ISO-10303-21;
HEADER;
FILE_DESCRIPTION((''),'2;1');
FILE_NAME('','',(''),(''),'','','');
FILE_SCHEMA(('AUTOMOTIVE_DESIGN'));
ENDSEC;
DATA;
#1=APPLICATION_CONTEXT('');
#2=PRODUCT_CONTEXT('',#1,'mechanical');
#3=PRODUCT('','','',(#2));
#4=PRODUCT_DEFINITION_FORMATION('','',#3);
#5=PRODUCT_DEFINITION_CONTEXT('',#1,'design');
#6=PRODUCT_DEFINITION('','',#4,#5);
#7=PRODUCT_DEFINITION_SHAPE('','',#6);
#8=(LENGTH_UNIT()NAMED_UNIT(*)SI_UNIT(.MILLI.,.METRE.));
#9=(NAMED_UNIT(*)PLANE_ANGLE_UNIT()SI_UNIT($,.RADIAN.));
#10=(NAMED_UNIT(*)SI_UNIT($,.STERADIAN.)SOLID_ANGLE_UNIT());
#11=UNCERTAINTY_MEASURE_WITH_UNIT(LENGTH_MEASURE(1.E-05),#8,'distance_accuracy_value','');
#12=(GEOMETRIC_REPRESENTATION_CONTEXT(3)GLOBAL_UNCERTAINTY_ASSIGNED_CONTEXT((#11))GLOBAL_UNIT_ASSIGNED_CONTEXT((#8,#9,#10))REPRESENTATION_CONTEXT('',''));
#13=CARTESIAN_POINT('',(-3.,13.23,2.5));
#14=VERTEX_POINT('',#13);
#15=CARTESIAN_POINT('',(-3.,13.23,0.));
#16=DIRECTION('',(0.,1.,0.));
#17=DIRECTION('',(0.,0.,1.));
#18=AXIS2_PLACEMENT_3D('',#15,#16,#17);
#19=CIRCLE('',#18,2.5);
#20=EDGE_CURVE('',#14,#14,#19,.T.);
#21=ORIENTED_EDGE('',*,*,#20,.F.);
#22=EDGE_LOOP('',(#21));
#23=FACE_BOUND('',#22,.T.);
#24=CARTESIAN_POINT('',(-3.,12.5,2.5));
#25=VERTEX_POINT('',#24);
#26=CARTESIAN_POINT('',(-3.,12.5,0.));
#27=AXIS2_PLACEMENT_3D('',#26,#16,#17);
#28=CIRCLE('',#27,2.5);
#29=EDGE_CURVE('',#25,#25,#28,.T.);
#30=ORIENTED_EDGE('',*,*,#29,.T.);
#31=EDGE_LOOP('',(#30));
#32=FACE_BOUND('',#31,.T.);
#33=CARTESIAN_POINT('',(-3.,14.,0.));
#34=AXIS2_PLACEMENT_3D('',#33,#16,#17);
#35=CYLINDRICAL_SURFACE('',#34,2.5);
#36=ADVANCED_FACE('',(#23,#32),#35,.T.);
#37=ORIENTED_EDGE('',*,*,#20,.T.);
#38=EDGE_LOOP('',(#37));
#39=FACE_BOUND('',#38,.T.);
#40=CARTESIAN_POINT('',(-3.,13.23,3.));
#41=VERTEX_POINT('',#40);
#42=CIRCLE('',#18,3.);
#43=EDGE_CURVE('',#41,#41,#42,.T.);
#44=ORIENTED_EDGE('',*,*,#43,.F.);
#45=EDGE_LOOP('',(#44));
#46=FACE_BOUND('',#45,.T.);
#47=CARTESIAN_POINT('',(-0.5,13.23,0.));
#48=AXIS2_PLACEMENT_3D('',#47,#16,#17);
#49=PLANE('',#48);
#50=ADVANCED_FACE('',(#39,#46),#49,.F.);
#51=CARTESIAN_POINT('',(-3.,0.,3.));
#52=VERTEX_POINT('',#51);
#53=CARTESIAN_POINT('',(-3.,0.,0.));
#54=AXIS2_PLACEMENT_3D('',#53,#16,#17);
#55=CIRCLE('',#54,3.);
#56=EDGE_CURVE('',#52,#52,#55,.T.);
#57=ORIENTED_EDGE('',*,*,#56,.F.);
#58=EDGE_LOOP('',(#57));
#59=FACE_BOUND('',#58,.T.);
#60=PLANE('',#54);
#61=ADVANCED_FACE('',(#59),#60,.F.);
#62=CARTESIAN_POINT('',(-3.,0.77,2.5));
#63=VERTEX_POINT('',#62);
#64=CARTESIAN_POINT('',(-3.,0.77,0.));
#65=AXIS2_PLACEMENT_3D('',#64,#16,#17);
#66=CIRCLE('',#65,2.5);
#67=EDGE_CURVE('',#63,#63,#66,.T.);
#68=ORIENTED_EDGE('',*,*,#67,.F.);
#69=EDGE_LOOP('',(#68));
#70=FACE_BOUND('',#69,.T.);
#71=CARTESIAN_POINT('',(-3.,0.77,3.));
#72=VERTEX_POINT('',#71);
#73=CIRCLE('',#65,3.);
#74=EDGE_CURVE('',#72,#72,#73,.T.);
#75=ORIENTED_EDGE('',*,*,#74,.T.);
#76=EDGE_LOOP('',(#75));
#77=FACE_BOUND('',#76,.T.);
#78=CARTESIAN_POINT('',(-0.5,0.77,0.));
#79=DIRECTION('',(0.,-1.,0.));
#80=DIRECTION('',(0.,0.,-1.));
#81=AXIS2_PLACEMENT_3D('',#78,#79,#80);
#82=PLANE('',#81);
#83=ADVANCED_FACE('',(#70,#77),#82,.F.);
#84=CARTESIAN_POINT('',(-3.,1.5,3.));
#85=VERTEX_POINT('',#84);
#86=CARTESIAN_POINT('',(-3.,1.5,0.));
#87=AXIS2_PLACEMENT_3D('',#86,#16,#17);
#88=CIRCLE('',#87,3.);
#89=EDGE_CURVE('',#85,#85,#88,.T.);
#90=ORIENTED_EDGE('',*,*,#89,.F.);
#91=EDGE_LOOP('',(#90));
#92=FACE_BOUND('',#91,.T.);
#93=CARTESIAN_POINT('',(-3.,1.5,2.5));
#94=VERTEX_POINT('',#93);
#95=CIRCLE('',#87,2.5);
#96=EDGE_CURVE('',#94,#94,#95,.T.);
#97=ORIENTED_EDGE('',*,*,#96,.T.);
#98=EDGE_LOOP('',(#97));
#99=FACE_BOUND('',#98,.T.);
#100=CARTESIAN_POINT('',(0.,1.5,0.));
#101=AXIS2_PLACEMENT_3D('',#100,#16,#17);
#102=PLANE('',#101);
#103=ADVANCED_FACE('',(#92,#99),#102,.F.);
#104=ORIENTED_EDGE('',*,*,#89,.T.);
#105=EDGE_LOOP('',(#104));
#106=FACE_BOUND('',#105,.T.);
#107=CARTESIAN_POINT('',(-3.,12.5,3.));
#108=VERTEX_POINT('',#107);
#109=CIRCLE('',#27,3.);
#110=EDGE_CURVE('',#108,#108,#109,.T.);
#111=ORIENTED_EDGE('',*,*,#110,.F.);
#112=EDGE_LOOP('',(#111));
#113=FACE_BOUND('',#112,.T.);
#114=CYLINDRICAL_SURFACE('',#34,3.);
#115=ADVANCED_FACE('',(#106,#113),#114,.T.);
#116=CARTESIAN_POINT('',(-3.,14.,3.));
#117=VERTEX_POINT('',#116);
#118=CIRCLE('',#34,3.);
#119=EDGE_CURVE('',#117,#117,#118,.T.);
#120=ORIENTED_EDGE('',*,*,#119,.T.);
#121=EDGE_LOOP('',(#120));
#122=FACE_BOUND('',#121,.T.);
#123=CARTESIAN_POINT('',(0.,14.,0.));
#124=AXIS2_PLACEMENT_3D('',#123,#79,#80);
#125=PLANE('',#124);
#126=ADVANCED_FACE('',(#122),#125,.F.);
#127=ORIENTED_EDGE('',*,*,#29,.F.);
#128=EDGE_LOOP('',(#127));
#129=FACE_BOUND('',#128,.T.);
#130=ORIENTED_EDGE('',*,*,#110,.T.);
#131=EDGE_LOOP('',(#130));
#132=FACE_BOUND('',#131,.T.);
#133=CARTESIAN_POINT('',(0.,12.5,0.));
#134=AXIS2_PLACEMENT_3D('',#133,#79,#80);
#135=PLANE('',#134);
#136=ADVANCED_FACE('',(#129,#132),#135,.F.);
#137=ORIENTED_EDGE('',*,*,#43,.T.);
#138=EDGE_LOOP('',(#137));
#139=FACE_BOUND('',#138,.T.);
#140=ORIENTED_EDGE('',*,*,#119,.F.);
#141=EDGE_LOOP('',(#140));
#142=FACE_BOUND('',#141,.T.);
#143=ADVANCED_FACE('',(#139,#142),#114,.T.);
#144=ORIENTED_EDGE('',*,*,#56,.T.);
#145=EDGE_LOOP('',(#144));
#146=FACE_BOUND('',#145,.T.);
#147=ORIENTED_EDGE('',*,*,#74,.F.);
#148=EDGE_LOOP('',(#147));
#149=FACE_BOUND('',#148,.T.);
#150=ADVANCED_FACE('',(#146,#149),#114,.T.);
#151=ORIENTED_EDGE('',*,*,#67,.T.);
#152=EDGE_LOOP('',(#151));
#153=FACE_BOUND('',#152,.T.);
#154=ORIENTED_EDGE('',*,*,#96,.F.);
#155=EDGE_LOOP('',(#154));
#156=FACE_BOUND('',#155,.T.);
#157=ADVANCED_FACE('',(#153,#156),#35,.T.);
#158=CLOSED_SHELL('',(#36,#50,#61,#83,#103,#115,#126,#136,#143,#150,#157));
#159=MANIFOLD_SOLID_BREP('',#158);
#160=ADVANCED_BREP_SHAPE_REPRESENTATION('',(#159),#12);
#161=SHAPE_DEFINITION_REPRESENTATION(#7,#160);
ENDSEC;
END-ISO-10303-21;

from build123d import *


with BuildPart() as part:
    # Sketch1 → Revolve1 (revolve)
    with BuildSketch(Plane.XY, mode=Mode.PRIVATE) as revolve1_sk:
        Polygon((0, 1.5), (0, 12.5), (-0.5, 12.5), (-0.5, 13.23), (0, 13.23), (0, 14), (-3, 14), (-3, 0), (0, 0), (0, 0.77), (-0.5, 0.77), (-0.5, 1.5), align=None)
    revolve(revolve1_sk.sketch.rotate(Axis((-3, 14, 0), (0, -1, 0)), 90), axis=Axis((-3, 14, 0), (0, -1, 0)))


solid = part.part
